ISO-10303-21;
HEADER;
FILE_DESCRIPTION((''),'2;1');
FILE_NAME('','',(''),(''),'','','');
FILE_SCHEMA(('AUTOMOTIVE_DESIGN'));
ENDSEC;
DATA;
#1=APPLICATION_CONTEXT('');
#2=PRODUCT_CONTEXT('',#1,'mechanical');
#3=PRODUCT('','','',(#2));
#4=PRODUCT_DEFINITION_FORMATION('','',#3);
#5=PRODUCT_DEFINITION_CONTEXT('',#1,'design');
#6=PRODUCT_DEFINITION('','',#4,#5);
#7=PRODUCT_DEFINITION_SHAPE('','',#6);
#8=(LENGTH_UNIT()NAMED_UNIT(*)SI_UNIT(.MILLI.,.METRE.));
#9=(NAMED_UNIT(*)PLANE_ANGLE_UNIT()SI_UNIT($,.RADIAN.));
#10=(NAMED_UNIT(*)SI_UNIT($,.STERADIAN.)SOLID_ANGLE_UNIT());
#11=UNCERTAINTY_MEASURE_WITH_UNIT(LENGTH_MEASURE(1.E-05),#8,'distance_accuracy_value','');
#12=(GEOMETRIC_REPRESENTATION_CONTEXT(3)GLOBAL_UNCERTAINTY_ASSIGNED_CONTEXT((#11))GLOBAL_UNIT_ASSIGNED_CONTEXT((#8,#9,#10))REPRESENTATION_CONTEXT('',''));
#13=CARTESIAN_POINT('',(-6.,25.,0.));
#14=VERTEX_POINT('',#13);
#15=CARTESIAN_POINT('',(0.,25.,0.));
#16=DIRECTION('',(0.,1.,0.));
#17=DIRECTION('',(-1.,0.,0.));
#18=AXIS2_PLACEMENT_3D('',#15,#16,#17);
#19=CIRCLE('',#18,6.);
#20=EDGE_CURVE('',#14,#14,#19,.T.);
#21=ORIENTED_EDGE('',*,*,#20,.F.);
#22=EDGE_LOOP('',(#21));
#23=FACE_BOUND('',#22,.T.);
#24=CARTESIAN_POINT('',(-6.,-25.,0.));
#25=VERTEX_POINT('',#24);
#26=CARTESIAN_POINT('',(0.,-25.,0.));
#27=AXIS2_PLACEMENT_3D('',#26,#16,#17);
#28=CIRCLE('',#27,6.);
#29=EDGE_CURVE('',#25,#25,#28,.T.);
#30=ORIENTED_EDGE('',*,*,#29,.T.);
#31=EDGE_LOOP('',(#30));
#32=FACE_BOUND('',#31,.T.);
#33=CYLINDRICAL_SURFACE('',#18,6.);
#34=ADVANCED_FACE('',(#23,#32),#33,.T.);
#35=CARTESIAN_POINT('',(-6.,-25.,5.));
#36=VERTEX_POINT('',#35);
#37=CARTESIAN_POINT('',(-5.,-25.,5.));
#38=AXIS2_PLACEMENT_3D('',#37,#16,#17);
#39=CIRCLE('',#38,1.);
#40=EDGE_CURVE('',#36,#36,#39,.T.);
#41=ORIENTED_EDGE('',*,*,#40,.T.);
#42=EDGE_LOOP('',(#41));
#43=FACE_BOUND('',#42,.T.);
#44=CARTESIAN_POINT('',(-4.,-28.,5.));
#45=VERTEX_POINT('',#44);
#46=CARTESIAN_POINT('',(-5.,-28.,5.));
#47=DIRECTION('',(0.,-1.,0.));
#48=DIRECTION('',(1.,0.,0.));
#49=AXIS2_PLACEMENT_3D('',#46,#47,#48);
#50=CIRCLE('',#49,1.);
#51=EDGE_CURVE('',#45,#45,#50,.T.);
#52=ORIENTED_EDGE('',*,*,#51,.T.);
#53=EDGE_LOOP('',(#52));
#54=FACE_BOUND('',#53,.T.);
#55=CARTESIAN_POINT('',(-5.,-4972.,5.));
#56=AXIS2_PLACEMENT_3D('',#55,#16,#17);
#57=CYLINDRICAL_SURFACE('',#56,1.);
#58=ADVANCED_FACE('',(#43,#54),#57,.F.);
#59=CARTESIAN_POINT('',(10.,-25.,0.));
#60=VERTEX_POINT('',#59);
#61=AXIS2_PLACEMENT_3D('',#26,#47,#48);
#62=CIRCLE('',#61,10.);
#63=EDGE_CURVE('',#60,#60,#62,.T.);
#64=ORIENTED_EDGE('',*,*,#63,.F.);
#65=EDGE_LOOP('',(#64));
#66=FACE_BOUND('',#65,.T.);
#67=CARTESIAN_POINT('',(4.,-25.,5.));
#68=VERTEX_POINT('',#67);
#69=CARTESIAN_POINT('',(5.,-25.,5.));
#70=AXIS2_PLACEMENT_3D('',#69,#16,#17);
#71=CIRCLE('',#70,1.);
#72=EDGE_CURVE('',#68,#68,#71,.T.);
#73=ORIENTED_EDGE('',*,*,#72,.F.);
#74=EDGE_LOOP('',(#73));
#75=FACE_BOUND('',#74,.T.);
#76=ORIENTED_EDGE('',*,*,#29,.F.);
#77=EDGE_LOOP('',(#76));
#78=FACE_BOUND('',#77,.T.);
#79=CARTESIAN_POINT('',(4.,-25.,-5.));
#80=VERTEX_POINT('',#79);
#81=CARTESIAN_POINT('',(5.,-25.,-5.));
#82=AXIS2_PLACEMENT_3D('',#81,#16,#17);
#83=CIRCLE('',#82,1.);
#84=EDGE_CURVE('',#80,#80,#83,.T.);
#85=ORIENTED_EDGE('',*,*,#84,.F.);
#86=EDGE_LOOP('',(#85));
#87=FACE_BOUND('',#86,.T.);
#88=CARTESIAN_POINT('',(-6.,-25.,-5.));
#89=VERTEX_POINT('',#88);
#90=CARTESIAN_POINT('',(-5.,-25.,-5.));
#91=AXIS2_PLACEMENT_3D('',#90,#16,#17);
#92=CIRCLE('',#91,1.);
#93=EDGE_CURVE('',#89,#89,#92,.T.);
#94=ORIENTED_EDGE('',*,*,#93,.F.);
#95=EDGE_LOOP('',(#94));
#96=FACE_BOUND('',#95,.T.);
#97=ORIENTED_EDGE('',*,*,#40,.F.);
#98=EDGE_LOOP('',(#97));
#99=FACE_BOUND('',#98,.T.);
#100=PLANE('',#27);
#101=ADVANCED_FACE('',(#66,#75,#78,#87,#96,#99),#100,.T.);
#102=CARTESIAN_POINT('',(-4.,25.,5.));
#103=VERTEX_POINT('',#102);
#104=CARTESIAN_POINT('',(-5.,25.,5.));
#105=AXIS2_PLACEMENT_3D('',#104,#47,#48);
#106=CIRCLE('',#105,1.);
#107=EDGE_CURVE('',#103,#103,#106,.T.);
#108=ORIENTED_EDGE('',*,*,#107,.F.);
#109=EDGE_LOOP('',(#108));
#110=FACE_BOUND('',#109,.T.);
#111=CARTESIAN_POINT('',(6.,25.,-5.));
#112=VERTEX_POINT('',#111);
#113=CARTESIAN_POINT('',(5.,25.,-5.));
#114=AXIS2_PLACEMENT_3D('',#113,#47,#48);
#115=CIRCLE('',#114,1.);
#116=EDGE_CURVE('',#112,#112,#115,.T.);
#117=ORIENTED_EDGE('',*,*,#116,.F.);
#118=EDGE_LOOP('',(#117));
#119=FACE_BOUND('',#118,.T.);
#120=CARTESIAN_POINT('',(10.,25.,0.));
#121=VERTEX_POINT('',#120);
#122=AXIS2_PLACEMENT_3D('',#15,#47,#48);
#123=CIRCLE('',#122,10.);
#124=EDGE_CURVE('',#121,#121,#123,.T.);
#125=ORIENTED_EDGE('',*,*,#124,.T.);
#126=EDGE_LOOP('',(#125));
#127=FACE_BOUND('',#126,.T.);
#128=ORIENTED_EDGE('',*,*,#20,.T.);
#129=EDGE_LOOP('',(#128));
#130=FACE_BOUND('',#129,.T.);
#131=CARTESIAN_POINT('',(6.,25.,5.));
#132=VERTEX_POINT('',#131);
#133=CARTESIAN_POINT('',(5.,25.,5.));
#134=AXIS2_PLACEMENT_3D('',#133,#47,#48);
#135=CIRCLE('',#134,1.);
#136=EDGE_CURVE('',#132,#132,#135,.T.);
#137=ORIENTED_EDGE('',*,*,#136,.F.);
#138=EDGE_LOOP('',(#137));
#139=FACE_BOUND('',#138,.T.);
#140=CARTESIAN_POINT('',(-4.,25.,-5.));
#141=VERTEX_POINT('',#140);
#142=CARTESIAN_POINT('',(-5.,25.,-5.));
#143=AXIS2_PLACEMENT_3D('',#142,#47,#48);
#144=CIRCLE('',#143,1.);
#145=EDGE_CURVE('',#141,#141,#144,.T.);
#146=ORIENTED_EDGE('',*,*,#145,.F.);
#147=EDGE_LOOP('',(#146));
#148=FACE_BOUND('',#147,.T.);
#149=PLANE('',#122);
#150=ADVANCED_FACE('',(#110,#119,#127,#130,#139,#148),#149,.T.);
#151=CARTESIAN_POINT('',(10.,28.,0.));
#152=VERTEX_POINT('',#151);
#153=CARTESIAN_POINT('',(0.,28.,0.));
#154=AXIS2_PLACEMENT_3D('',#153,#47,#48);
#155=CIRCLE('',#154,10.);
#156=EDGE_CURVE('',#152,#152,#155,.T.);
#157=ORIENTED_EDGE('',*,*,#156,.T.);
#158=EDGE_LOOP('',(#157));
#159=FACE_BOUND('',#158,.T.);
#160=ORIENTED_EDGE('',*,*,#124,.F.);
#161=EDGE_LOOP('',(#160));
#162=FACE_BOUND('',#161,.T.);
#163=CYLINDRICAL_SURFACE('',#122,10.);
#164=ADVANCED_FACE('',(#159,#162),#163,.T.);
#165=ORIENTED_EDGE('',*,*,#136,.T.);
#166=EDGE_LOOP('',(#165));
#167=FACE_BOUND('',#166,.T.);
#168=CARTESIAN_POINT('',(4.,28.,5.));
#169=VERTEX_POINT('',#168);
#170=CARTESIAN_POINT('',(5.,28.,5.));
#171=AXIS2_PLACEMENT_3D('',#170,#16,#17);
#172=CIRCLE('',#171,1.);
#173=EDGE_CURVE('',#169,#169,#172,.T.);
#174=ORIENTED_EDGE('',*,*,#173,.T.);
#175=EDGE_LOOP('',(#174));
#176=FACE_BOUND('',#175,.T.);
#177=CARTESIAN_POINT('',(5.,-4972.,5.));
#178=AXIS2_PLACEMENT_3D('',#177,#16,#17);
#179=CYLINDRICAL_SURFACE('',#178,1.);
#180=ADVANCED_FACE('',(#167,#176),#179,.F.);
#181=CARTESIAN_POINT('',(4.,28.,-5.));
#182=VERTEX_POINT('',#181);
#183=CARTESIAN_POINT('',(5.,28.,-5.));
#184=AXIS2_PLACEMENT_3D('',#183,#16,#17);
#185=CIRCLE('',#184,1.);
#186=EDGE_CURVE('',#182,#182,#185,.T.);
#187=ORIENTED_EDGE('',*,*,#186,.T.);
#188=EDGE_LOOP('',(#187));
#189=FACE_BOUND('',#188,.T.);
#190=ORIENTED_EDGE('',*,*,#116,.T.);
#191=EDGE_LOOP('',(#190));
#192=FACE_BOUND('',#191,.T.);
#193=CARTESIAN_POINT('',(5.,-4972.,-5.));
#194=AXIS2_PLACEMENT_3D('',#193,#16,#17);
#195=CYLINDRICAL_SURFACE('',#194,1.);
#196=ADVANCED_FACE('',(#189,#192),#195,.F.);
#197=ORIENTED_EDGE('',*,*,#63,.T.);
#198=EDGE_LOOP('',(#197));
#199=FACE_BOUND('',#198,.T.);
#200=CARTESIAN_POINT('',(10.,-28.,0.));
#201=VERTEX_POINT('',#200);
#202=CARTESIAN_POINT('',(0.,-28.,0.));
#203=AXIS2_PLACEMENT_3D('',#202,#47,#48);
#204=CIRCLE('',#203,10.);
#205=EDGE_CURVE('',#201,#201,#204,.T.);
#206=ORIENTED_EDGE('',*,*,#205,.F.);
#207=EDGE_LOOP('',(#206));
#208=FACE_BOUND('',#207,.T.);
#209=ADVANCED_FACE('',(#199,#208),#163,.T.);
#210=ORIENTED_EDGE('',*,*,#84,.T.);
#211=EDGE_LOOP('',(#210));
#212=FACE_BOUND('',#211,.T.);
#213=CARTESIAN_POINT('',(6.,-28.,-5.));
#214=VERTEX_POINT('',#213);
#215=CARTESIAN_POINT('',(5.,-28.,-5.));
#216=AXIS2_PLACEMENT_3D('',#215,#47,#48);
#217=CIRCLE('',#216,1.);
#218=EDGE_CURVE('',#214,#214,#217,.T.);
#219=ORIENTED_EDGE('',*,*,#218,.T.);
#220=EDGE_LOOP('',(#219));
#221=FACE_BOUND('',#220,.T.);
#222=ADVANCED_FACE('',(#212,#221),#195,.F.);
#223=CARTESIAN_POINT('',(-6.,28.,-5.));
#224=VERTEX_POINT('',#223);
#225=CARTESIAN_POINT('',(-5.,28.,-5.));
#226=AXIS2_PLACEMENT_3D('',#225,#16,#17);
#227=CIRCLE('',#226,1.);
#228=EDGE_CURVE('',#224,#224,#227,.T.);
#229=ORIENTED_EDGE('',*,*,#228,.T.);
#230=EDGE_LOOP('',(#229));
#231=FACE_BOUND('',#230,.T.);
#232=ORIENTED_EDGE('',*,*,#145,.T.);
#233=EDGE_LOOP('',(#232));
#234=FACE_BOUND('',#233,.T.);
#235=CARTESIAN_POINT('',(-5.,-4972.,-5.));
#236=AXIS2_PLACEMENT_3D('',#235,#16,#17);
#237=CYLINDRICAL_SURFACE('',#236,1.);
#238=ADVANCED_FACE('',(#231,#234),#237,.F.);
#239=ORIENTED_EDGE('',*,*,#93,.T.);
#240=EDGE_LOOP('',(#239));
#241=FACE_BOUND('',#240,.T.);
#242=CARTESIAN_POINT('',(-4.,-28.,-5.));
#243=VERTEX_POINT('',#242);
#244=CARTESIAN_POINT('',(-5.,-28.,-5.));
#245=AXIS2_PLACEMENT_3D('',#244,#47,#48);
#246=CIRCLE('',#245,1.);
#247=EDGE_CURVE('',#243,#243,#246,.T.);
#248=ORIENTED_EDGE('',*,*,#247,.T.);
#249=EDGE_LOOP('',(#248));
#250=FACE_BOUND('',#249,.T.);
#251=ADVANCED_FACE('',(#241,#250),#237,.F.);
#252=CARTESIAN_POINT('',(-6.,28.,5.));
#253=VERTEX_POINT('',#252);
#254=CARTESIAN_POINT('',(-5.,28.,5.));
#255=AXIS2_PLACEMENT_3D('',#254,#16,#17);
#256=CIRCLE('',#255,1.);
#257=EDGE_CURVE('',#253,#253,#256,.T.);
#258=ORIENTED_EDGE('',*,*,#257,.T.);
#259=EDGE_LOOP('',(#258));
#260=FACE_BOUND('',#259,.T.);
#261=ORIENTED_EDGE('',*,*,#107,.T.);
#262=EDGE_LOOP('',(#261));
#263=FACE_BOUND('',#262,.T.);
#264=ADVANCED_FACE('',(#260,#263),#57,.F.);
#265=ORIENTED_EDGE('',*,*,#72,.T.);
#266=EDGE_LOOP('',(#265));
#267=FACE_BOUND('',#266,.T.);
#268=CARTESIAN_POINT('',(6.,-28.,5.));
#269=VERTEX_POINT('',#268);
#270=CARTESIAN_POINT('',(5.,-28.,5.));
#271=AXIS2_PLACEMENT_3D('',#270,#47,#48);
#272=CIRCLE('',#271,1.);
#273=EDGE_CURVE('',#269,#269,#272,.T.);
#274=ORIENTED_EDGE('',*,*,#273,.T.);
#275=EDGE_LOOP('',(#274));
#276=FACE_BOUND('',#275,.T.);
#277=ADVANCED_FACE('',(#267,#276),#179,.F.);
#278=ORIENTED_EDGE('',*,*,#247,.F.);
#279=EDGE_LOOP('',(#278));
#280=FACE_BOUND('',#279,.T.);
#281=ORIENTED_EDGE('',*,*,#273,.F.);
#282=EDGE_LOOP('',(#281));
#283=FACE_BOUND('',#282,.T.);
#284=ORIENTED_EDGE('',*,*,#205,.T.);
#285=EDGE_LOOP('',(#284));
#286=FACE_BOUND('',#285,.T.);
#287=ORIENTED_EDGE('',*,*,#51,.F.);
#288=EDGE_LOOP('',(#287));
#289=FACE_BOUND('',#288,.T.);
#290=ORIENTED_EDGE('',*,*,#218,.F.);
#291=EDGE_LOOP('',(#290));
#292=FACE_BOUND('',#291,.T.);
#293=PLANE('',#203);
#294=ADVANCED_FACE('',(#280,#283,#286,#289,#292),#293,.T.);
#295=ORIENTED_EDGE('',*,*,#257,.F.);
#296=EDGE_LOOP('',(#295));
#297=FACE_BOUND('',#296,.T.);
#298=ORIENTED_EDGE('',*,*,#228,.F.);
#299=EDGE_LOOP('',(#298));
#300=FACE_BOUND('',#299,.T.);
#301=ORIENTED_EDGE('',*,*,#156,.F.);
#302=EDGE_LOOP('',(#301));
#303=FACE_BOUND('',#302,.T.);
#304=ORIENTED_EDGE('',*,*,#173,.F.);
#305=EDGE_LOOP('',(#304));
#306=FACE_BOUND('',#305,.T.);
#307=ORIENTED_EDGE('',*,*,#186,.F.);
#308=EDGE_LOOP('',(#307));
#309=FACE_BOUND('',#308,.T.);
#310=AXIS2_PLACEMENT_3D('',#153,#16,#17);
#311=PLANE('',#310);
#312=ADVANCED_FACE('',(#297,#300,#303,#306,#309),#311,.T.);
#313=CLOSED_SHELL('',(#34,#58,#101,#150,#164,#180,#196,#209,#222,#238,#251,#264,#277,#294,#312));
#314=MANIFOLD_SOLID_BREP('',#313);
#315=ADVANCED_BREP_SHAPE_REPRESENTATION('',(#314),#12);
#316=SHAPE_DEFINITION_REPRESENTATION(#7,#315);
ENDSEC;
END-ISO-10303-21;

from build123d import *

# Parameters (mm, degrees)
SKETCH_1_W          = 6
SKETCH_1_H          = 50
SKETCH_2_W          = 10
SKETCH_2_H          = 3
SKETCH_3_R          = 1
CUT_EXTRUDE_1_DEPTH = 5000


with BuildPart() as part:
    # 草图1 → 旋转1 (revolve)
    with BuildSketch(Plane.XY, mode=Mode.PRIVATE) as revolve_1_sk:
        with Locations((3, 0)):
            Rectangle(SKETCH_1_W, SKETCH_1_H)
    revolve(revolve_1_sk.sketch.rotate(Axis((0, 25, 0), (0, -1, 0)), 180), axis=Axis((0, 25, 0), (0, -1, 0)))

    # 草图2 → 旋转2 (revolve)
    with BuildSketch(Plane.XY):
        with Locations((5, 26.5)):
            Rectangle(SKETCH_2_W, SKETCH_2_H)
        with Locations((5, -26.5)):
            Rectangle(SKETCH_2_W, SKETCH_2_H)
    revolve(axis=Axis((0, 25, 0), (0, 1, 0)))

    # 草图3 → 切除-拉伸1 (cut)
    with BuildSketch(Plane(origin=(0, 28, 0), x_dir=(1, 0, 0), z_dir=(0, 1, 0))):
        with Locations(Location((-5, 5, 0), (0, 0, 180))):
            Circle(SKETCH_3_R)
        with Locations(Location((5, 5, 0), (0, 0, 180))):
            Circle(SKETCH_3_R)
        with Locations(Location((-5, -5, 0), (0, 0, 180))):
            Circle(SKETCH_3_R)
        with Locations(Location((5, -5, 0), (0, 0, 180))):
            Circle(SKETCH_3_R)
    extrude(amount=-CUT_EXTRUDE_1_DEPTH, mode=Mode.SUBTRACT)


solid = part.part
